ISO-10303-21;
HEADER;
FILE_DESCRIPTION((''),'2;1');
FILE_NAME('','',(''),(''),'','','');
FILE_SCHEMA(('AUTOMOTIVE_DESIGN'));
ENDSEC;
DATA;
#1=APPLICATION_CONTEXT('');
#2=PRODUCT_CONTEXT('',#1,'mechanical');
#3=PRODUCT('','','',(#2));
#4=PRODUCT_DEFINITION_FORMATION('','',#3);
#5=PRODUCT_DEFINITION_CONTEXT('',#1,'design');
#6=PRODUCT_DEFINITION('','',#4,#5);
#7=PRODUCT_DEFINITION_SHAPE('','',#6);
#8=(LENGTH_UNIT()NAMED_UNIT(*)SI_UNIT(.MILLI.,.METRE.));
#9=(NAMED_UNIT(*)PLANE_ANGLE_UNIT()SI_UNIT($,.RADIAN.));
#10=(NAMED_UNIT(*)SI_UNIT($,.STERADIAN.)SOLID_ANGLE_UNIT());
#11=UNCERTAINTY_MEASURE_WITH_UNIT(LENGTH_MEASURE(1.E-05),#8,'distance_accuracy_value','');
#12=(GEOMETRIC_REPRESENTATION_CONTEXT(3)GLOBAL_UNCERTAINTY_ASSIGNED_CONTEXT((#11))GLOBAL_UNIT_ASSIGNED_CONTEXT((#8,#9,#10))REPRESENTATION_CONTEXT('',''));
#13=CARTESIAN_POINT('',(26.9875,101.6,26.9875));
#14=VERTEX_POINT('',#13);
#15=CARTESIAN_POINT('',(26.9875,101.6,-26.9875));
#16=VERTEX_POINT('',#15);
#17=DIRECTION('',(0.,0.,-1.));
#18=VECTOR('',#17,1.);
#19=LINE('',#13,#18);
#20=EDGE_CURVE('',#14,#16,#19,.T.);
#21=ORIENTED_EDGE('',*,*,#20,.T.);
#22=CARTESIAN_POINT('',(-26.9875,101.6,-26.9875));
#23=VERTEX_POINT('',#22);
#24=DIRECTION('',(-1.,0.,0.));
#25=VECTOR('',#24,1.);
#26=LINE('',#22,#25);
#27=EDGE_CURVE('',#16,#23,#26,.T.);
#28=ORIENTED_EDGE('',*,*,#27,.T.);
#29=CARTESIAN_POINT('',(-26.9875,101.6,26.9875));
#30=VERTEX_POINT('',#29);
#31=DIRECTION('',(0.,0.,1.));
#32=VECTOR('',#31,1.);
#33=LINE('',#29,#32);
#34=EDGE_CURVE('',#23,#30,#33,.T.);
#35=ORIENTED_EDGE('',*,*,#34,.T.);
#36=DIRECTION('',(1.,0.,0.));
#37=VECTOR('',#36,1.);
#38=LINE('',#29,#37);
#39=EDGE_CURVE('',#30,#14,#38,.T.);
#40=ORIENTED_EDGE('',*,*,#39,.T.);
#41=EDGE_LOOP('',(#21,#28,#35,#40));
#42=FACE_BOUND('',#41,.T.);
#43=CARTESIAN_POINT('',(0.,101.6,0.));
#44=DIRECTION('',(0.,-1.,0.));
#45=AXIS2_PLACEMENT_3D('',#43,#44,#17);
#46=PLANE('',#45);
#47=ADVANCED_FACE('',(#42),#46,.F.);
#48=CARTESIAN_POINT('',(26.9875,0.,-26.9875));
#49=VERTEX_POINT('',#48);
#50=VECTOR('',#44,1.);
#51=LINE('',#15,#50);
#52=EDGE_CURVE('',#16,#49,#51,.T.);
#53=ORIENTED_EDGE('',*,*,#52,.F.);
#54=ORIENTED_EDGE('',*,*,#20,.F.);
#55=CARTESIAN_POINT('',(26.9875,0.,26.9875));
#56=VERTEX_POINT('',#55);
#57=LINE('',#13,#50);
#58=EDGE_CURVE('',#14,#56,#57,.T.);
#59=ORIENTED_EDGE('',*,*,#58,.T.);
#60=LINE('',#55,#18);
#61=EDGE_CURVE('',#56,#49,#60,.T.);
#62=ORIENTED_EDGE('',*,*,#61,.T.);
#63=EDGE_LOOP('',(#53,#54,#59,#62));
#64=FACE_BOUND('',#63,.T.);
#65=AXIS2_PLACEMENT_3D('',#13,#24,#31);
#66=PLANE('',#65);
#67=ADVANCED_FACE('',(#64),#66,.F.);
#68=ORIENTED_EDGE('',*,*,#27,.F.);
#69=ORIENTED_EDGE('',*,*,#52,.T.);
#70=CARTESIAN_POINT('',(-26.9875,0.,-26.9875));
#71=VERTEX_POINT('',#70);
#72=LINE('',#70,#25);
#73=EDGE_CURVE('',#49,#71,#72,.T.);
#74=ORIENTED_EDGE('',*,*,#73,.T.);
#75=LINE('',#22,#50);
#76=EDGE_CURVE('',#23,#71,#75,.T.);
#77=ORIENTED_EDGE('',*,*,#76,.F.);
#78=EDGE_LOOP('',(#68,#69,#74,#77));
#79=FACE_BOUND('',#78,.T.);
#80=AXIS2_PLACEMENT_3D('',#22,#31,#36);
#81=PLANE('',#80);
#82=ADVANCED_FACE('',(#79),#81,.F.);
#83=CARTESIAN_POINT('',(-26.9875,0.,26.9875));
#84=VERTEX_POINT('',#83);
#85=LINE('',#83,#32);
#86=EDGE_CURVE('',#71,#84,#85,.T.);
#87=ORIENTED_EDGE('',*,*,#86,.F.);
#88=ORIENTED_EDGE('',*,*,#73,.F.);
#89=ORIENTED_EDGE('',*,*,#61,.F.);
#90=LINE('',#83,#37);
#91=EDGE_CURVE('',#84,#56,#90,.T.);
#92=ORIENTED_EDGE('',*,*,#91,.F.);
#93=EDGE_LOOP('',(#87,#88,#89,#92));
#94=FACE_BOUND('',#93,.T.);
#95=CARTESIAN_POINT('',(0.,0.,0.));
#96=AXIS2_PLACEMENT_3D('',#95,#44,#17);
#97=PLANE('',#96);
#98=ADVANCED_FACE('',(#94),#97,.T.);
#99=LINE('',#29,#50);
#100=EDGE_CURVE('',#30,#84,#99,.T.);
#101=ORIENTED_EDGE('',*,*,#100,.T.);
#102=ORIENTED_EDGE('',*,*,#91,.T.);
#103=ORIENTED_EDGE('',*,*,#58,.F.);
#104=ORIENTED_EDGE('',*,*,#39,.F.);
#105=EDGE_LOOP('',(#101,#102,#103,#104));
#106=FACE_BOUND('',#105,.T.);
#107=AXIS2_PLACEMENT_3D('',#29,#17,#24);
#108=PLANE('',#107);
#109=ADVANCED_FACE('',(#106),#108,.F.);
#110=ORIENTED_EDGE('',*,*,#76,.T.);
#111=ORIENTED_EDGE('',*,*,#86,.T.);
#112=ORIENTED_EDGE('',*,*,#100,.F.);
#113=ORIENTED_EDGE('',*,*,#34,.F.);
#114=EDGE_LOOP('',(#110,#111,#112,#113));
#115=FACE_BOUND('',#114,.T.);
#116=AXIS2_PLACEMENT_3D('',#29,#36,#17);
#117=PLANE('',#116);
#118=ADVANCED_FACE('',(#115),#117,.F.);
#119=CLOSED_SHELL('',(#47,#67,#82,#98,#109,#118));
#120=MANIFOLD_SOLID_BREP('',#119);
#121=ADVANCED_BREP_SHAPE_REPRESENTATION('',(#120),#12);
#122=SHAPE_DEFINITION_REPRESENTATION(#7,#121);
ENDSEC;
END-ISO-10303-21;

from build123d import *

# Parameters (mm, degrees)
SKETCH1_W           = 53.975
SKETCH1_H           = 53.975
BOSS_EXTRUDE1_DEPTH = 101.6


with BuildPart() as part:
    # Sketch1 → Boss-Extrude1 (new body)
    with BuildSketch(Plane(origin=(0, 0, 0), x_dir=(1, 0, 0), z_dir=(0, 1, 0))):
        Rectangle(SKETCH1_W, SKETCH1_H)
    extrude(amount=BOSS_EXTRUDE1_DEPTH)


solid = part.part
